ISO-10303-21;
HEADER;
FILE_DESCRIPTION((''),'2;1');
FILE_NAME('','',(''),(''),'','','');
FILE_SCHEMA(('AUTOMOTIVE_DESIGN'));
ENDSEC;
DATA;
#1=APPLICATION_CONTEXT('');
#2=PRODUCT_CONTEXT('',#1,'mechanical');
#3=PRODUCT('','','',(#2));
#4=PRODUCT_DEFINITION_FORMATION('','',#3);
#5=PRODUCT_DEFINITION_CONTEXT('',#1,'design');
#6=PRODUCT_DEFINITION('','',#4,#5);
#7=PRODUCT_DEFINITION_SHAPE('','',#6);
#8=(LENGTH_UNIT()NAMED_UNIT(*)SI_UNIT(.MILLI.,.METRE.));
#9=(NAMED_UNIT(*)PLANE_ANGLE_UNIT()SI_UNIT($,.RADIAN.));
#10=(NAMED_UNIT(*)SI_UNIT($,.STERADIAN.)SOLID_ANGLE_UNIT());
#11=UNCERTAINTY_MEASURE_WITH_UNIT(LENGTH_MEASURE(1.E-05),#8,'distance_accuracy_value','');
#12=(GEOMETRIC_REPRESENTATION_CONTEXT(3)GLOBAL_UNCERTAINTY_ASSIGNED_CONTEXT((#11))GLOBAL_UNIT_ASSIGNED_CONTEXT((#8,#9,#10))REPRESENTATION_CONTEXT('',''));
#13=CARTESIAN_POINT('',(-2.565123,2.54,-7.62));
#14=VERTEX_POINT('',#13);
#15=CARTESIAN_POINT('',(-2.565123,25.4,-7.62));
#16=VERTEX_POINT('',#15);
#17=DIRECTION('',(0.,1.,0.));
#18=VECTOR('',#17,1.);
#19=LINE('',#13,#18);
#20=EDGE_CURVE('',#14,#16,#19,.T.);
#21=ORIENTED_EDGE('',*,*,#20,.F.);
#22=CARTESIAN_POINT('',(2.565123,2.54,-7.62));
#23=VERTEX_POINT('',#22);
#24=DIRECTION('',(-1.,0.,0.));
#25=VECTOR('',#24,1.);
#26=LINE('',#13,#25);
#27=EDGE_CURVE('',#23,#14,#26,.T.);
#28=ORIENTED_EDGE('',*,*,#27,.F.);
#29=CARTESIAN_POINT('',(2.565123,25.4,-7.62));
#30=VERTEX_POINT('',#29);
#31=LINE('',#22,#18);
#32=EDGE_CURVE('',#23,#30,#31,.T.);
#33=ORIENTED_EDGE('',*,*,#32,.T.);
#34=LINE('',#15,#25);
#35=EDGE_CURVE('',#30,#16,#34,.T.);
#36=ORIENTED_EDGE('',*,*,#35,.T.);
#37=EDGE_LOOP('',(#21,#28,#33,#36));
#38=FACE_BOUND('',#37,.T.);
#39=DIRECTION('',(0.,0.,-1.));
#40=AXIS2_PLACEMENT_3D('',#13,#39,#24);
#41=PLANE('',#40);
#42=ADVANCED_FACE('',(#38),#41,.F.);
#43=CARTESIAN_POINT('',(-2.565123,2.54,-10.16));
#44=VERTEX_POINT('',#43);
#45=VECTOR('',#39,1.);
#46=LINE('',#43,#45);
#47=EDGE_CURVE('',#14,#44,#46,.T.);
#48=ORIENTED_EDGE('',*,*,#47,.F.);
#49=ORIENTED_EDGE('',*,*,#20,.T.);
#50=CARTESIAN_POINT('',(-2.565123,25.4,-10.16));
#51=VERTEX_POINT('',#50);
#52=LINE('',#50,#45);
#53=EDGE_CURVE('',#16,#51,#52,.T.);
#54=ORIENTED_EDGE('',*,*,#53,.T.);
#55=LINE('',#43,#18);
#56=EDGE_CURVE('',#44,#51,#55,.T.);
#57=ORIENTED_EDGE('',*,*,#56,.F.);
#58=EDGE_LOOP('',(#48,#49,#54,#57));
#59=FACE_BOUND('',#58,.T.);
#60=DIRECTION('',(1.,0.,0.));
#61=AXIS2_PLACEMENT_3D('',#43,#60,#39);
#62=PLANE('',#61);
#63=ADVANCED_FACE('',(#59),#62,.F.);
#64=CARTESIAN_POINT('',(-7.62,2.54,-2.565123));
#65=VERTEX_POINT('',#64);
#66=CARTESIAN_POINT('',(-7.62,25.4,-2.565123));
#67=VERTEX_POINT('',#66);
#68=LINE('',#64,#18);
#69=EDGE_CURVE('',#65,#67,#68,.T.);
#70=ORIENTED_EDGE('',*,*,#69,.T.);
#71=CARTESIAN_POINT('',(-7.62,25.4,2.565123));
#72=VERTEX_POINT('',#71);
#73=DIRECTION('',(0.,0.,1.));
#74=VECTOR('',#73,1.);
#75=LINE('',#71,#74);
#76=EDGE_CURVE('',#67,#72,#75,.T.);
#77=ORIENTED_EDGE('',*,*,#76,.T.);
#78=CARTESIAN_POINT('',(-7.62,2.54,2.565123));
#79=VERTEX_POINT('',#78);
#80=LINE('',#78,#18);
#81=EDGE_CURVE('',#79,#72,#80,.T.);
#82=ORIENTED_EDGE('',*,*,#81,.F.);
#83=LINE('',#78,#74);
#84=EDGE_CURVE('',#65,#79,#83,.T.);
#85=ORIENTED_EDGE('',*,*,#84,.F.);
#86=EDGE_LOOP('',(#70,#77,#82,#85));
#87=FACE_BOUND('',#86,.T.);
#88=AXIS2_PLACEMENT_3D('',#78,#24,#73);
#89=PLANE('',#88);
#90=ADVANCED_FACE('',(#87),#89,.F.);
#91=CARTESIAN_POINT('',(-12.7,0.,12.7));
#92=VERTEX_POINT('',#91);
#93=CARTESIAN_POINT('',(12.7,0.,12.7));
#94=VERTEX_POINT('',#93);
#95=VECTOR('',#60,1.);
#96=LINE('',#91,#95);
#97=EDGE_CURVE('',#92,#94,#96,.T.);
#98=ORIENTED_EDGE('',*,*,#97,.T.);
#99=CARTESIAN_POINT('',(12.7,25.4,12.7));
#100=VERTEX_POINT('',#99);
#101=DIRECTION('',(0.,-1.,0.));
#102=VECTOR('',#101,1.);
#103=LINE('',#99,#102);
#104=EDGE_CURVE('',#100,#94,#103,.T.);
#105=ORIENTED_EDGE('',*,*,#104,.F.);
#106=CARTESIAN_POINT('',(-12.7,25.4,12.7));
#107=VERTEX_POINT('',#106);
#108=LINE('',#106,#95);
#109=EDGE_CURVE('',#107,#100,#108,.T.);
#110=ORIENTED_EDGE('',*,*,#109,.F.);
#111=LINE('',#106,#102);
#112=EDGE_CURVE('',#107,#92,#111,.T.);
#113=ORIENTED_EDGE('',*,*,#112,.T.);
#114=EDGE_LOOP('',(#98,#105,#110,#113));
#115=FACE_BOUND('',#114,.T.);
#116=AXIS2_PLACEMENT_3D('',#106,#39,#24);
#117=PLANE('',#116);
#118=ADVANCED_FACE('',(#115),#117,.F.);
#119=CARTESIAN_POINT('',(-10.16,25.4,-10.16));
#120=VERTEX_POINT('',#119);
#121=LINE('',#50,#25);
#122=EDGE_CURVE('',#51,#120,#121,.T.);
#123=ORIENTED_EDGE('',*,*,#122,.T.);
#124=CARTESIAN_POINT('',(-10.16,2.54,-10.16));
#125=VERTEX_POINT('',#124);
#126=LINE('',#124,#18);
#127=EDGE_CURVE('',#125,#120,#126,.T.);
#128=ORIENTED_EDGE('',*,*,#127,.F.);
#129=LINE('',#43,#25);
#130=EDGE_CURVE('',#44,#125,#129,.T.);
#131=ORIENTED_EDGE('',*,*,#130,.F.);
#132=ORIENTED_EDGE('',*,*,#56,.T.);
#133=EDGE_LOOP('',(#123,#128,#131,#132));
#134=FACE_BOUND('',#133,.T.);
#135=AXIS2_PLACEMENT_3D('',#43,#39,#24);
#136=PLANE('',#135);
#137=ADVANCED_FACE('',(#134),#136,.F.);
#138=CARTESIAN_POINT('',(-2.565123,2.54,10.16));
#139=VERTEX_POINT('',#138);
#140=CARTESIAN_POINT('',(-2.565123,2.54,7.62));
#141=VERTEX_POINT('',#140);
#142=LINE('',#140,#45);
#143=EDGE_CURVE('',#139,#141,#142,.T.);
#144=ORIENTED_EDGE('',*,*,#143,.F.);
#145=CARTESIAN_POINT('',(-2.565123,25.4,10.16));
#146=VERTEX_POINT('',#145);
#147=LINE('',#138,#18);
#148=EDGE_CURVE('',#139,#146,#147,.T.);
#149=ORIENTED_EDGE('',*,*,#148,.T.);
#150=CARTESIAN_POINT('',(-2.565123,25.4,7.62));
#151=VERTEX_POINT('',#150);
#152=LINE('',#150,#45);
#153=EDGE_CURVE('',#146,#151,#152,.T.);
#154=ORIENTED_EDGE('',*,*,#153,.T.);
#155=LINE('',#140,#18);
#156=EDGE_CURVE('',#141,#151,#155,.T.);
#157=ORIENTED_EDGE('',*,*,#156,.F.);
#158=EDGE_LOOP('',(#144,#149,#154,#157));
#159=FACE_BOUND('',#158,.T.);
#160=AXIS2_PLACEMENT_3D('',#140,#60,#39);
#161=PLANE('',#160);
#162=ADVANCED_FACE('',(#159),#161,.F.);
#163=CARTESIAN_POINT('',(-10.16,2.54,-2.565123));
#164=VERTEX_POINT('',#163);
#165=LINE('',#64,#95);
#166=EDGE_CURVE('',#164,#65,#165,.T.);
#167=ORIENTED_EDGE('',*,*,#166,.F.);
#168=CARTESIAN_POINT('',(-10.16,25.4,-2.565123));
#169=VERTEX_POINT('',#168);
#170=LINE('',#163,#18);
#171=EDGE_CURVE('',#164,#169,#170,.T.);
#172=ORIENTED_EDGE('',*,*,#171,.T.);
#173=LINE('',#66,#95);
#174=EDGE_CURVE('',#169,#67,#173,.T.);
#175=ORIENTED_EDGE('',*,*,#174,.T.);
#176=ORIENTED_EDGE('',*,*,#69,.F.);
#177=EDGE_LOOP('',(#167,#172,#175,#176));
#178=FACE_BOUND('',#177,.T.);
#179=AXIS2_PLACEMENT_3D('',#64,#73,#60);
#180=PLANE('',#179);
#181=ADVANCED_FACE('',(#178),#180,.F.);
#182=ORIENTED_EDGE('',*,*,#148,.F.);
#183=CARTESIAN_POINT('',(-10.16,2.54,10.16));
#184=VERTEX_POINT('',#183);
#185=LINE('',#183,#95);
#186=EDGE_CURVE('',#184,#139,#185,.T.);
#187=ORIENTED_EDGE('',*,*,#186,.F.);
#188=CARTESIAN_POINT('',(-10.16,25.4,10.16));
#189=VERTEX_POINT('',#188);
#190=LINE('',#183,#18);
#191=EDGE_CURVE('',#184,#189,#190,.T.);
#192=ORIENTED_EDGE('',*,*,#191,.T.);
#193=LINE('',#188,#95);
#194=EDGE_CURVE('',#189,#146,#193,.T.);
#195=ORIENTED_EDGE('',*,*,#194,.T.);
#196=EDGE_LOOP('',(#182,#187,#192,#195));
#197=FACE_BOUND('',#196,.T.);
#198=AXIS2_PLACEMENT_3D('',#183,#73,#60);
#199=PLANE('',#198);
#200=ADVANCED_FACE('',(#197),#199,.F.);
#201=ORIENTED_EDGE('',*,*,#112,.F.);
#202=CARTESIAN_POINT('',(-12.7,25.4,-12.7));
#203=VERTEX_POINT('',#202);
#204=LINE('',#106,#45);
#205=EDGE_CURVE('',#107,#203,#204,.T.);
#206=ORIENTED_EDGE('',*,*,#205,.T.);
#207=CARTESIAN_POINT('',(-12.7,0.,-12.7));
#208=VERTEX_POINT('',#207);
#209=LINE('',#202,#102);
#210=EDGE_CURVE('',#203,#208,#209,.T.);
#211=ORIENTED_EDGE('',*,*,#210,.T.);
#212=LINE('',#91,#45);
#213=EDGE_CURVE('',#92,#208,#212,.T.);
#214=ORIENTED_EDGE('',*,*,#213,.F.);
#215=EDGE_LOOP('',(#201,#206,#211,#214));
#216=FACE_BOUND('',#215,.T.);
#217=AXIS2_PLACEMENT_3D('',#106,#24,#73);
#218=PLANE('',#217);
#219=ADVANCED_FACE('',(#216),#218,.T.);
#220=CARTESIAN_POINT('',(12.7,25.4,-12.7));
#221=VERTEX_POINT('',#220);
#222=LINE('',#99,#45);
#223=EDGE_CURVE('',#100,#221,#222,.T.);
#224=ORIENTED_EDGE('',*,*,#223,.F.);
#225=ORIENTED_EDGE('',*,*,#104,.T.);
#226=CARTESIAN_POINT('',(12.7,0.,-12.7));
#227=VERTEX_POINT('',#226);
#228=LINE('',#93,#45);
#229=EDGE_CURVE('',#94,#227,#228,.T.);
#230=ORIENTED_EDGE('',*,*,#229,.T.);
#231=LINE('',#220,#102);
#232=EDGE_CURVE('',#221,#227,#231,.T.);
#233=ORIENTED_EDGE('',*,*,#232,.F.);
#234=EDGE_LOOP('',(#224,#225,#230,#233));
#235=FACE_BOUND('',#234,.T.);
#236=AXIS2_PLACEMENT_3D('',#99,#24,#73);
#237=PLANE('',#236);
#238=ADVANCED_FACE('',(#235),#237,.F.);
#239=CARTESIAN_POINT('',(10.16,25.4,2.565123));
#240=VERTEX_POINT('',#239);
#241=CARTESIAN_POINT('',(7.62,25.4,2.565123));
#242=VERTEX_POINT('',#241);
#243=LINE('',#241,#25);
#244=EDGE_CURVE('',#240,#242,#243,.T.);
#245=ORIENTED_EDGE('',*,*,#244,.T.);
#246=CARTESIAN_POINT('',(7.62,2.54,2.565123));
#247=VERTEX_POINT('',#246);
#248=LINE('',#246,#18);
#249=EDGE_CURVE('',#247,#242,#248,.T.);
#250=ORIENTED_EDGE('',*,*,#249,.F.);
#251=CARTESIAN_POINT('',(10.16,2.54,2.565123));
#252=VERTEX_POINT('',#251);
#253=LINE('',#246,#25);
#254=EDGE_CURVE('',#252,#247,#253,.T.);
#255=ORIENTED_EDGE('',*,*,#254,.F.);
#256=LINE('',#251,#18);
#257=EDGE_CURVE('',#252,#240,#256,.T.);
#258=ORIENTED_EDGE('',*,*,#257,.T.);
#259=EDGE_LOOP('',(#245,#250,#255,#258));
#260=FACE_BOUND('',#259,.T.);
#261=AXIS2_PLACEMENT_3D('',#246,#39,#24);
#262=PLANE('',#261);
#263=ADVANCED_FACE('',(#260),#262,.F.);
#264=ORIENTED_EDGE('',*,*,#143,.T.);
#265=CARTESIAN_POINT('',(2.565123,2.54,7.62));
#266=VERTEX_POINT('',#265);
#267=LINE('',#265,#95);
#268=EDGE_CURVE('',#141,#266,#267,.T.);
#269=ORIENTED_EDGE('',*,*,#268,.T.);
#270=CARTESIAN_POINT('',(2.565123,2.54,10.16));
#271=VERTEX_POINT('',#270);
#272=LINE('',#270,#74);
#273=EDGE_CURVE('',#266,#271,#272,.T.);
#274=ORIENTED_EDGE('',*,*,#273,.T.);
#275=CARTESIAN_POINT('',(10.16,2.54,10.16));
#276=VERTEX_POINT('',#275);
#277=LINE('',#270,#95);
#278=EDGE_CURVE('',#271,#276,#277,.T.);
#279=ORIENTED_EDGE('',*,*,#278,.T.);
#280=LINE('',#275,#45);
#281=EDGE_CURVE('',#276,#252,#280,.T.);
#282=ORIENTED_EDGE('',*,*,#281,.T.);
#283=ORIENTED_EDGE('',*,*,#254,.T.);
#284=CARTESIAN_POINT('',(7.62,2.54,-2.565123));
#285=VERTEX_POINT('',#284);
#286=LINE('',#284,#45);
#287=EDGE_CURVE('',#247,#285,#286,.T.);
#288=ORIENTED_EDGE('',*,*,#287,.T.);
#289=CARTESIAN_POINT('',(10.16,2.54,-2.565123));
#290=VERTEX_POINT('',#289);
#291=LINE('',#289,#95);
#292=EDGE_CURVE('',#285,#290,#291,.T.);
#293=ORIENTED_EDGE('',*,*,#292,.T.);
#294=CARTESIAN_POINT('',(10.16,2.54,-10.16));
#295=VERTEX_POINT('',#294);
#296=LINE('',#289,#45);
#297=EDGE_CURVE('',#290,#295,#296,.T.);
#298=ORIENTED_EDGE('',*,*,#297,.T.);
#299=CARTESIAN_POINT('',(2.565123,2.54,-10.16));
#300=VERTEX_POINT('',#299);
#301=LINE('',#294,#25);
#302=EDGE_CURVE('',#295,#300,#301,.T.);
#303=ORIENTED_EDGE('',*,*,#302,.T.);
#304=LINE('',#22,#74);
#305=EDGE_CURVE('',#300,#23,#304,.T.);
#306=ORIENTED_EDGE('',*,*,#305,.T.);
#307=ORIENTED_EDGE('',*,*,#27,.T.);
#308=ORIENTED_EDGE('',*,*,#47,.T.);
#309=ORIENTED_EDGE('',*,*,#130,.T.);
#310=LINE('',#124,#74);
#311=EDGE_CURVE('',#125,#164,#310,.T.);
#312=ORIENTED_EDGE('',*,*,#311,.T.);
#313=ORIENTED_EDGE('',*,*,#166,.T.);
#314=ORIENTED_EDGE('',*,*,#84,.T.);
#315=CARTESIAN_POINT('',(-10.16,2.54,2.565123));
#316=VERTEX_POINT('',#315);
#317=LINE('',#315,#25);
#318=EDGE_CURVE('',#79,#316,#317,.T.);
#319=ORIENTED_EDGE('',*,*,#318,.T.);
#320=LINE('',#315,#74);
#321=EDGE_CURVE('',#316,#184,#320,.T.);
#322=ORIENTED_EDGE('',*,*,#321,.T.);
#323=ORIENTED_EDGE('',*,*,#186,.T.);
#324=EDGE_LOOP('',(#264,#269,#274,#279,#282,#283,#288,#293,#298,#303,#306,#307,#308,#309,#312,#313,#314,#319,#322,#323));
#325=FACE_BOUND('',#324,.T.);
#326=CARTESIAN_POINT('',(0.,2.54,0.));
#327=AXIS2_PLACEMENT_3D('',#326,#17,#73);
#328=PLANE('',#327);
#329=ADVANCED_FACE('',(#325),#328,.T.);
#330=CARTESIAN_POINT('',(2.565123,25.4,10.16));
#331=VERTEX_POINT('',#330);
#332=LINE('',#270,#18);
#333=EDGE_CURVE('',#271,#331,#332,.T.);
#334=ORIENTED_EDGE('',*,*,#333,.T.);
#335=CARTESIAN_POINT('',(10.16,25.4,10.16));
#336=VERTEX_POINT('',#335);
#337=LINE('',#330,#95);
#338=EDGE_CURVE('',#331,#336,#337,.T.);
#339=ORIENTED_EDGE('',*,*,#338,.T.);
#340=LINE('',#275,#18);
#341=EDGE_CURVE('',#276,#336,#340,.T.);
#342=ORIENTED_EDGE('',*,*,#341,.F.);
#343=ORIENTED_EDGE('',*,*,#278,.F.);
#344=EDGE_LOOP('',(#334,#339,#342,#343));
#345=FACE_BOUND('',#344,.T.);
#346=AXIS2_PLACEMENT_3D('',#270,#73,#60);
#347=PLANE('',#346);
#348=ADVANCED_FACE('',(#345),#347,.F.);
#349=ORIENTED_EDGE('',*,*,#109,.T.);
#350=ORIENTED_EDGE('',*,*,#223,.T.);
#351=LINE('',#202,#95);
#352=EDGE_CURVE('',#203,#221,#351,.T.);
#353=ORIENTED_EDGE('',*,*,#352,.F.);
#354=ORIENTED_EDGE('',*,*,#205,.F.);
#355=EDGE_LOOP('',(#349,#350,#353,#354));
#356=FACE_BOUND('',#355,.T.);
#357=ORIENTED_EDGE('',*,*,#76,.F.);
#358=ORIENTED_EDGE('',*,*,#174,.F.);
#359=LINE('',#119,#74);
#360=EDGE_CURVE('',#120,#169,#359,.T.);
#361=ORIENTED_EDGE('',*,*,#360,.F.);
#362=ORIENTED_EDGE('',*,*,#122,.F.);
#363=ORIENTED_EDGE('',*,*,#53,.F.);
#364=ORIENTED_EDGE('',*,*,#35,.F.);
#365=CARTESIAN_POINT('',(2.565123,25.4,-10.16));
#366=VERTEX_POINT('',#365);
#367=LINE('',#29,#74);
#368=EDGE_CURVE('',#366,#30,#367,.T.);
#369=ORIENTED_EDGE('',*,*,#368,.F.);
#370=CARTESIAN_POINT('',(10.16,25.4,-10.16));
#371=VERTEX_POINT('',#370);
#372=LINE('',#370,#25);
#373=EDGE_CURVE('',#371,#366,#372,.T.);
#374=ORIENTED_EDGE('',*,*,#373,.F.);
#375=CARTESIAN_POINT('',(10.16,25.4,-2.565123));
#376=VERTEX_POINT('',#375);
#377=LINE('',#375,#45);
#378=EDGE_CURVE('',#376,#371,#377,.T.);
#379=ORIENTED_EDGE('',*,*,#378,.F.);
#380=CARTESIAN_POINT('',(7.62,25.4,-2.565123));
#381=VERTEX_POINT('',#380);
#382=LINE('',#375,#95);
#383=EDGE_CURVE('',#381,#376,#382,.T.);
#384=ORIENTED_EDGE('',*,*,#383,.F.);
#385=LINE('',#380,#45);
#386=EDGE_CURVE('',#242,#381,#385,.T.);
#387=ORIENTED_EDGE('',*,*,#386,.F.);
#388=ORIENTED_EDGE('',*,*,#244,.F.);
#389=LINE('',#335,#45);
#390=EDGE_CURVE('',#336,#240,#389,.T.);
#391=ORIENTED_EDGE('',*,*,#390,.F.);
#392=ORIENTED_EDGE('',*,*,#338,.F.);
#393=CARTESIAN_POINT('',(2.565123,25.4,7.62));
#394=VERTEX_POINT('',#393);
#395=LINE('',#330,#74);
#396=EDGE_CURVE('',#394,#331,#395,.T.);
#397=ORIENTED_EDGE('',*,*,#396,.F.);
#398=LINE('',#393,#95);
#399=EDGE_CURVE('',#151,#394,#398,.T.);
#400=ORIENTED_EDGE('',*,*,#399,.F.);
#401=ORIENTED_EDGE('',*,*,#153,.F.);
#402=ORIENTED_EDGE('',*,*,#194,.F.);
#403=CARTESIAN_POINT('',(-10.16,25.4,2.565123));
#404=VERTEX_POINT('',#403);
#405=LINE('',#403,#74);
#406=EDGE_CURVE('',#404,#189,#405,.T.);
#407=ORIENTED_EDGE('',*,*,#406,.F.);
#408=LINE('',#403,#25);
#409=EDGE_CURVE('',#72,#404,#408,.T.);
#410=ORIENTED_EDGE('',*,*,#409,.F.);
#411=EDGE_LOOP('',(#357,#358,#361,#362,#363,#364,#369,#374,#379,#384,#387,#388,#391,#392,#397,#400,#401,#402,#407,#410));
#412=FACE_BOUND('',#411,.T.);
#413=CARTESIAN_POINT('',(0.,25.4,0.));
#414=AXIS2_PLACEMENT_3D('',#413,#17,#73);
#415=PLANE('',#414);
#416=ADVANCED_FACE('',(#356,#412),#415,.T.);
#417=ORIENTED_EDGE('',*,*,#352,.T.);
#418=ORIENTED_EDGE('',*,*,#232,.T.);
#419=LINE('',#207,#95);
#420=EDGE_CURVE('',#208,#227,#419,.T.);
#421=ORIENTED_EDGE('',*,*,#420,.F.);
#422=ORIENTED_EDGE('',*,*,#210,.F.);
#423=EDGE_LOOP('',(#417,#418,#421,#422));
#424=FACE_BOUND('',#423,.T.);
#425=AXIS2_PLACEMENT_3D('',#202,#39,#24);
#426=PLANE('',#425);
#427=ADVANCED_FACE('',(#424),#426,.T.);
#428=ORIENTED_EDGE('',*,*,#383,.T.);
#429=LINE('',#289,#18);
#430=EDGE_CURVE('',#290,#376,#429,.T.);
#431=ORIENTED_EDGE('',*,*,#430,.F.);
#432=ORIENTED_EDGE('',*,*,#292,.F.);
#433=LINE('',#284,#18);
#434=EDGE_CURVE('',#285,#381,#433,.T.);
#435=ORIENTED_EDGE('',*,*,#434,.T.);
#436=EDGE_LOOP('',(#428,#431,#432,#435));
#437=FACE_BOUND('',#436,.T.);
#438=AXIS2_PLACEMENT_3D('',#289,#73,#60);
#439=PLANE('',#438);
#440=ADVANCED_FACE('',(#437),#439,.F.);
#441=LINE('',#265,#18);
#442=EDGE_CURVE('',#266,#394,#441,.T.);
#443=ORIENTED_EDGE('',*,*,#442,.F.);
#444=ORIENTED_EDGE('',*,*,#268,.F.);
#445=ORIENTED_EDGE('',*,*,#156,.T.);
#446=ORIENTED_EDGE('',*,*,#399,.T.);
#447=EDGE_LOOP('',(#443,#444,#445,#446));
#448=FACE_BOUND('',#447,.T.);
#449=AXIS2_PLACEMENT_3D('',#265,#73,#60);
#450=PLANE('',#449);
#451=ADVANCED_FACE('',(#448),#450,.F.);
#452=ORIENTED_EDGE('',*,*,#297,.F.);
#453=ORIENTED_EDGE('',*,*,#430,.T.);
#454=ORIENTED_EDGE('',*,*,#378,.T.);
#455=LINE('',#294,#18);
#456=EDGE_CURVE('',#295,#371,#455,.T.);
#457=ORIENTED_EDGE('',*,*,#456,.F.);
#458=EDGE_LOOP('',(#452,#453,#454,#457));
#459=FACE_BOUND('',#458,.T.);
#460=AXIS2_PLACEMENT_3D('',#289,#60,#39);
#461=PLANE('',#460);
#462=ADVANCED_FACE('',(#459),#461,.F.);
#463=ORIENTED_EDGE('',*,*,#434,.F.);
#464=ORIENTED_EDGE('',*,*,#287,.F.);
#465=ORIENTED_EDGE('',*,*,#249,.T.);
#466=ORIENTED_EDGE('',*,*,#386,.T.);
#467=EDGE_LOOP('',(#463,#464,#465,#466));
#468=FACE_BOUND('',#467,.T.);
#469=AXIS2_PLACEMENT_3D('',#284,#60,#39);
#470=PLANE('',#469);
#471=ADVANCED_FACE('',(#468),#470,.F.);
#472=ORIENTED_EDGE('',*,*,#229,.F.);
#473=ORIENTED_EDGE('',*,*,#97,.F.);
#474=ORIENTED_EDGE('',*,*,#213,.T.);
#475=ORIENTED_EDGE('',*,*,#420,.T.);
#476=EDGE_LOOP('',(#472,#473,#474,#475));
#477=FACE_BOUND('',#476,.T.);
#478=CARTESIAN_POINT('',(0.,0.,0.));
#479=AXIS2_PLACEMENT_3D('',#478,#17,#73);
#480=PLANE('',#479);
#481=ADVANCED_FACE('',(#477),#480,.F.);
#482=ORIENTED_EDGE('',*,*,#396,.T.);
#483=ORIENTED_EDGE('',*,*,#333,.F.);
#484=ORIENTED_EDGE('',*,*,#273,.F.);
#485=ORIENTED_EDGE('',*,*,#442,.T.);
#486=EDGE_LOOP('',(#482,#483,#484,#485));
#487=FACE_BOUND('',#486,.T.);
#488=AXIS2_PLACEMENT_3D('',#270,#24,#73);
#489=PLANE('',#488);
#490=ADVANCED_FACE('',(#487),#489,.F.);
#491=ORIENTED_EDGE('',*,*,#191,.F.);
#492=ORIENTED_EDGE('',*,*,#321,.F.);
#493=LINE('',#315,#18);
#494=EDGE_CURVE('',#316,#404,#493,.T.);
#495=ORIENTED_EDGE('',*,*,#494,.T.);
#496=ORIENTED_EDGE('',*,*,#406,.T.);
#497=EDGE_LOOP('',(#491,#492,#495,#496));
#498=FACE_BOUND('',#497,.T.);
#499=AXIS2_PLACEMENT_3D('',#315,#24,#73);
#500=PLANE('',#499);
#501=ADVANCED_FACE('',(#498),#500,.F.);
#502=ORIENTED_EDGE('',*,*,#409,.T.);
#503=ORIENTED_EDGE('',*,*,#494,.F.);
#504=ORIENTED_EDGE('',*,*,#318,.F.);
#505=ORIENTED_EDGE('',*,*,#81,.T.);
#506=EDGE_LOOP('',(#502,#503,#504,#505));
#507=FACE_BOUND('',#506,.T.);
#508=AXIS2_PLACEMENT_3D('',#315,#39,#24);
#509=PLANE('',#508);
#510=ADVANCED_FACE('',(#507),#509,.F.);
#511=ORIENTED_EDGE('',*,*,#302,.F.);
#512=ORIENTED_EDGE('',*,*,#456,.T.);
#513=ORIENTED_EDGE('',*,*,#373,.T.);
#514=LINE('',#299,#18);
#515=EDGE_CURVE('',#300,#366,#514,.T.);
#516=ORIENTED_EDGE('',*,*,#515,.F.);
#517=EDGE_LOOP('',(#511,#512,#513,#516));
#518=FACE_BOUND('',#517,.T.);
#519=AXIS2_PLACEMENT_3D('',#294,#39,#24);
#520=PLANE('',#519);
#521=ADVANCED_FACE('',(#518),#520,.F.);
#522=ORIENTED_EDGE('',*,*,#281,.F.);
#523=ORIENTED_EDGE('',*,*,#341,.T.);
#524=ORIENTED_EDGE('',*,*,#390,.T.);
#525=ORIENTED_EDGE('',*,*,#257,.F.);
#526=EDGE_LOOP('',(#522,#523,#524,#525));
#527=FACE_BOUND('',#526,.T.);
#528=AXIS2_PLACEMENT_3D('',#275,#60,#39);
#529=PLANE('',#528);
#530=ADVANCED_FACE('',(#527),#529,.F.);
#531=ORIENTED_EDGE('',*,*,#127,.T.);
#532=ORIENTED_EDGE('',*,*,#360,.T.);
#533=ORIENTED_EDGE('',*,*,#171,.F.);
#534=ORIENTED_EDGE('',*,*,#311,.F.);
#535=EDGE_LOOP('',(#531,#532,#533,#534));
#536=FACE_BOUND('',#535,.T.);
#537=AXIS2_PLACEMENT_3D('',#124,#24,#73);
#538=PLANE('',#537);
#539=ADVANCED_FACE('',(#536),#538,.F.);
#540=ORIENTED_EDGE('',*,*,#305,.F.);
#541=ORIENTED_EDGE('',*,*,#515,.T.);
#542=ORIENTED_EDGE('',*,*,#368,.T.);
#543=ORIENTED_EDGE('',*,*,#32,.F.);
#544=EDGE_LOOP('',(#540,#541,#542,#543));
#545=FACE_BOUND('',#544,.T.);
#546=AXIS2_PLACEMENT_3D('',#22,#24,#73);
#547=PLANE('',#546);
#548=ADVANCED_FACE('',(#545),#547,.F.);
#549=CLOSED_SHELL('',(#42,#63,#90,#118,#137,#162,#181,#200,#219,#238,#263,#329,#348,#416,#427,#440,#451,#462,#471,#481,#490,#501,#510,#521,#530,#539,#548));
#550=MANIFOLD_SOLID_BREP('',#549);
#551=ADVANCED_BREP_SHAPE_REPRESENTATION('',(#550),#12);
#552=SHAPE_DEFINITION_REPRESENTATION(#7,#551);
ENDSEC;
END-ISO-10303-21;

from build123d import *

# Parameters (mm, degrees)
SKETCH1_W           = 25.4
SKETCH1_H           = 25.4
BOSS_EXTRUDE1_DEPTH = 25.4
CUT_EXTRUDE2_DEPTH  = 22.86


with BuildPart() as part:
    # Sketch1 → Boss-Extrude1 (new body)
    with BuildSketch(Plane(origin=(0, 0, 0), x_dir=(1, 0, 0), z_dir=(0, 1, 0))):
        Rectangle(SKETCH1_W, SKETCH1_H)
    extrude(amount=BOSS_EXTRUDE1_DEPTH)

    # Sketch3 → Cut-Extrude2 (cut)
    with BuildSketch(Plane(origin=(0, 25.4, 0), x_dir=(1, 0, 0), z_dir=(0, 1, 0))):
        Polygon((10.16, 2.565122784), (7.62, 2.565122784), (7.62, -2.565122784), (10.16, -2.565122784), (10.16, -10.16), (2.565122784, -10.16), (2.565122784, -7.62), (-2.565122784, -7.62), (-2.565122784, -10.16), (-10.16, -10.16), (-10.16, -2.565122784), (-7.62, -2.565122784), (-7.62, 2.565122784), (-10.16, 2.565122784), (-10.16, 10.16), (-2.565122784, 10.16), (-2.565122784, 7.62), (2.565122784, 7.62), (2.565122784, 10.16), (10.16, 10.16), align=None)
    extrude(amount=-CUT_EXTRUDE2_DEPTH, mode=Mode.SUBTRACT)


solid = part.part
